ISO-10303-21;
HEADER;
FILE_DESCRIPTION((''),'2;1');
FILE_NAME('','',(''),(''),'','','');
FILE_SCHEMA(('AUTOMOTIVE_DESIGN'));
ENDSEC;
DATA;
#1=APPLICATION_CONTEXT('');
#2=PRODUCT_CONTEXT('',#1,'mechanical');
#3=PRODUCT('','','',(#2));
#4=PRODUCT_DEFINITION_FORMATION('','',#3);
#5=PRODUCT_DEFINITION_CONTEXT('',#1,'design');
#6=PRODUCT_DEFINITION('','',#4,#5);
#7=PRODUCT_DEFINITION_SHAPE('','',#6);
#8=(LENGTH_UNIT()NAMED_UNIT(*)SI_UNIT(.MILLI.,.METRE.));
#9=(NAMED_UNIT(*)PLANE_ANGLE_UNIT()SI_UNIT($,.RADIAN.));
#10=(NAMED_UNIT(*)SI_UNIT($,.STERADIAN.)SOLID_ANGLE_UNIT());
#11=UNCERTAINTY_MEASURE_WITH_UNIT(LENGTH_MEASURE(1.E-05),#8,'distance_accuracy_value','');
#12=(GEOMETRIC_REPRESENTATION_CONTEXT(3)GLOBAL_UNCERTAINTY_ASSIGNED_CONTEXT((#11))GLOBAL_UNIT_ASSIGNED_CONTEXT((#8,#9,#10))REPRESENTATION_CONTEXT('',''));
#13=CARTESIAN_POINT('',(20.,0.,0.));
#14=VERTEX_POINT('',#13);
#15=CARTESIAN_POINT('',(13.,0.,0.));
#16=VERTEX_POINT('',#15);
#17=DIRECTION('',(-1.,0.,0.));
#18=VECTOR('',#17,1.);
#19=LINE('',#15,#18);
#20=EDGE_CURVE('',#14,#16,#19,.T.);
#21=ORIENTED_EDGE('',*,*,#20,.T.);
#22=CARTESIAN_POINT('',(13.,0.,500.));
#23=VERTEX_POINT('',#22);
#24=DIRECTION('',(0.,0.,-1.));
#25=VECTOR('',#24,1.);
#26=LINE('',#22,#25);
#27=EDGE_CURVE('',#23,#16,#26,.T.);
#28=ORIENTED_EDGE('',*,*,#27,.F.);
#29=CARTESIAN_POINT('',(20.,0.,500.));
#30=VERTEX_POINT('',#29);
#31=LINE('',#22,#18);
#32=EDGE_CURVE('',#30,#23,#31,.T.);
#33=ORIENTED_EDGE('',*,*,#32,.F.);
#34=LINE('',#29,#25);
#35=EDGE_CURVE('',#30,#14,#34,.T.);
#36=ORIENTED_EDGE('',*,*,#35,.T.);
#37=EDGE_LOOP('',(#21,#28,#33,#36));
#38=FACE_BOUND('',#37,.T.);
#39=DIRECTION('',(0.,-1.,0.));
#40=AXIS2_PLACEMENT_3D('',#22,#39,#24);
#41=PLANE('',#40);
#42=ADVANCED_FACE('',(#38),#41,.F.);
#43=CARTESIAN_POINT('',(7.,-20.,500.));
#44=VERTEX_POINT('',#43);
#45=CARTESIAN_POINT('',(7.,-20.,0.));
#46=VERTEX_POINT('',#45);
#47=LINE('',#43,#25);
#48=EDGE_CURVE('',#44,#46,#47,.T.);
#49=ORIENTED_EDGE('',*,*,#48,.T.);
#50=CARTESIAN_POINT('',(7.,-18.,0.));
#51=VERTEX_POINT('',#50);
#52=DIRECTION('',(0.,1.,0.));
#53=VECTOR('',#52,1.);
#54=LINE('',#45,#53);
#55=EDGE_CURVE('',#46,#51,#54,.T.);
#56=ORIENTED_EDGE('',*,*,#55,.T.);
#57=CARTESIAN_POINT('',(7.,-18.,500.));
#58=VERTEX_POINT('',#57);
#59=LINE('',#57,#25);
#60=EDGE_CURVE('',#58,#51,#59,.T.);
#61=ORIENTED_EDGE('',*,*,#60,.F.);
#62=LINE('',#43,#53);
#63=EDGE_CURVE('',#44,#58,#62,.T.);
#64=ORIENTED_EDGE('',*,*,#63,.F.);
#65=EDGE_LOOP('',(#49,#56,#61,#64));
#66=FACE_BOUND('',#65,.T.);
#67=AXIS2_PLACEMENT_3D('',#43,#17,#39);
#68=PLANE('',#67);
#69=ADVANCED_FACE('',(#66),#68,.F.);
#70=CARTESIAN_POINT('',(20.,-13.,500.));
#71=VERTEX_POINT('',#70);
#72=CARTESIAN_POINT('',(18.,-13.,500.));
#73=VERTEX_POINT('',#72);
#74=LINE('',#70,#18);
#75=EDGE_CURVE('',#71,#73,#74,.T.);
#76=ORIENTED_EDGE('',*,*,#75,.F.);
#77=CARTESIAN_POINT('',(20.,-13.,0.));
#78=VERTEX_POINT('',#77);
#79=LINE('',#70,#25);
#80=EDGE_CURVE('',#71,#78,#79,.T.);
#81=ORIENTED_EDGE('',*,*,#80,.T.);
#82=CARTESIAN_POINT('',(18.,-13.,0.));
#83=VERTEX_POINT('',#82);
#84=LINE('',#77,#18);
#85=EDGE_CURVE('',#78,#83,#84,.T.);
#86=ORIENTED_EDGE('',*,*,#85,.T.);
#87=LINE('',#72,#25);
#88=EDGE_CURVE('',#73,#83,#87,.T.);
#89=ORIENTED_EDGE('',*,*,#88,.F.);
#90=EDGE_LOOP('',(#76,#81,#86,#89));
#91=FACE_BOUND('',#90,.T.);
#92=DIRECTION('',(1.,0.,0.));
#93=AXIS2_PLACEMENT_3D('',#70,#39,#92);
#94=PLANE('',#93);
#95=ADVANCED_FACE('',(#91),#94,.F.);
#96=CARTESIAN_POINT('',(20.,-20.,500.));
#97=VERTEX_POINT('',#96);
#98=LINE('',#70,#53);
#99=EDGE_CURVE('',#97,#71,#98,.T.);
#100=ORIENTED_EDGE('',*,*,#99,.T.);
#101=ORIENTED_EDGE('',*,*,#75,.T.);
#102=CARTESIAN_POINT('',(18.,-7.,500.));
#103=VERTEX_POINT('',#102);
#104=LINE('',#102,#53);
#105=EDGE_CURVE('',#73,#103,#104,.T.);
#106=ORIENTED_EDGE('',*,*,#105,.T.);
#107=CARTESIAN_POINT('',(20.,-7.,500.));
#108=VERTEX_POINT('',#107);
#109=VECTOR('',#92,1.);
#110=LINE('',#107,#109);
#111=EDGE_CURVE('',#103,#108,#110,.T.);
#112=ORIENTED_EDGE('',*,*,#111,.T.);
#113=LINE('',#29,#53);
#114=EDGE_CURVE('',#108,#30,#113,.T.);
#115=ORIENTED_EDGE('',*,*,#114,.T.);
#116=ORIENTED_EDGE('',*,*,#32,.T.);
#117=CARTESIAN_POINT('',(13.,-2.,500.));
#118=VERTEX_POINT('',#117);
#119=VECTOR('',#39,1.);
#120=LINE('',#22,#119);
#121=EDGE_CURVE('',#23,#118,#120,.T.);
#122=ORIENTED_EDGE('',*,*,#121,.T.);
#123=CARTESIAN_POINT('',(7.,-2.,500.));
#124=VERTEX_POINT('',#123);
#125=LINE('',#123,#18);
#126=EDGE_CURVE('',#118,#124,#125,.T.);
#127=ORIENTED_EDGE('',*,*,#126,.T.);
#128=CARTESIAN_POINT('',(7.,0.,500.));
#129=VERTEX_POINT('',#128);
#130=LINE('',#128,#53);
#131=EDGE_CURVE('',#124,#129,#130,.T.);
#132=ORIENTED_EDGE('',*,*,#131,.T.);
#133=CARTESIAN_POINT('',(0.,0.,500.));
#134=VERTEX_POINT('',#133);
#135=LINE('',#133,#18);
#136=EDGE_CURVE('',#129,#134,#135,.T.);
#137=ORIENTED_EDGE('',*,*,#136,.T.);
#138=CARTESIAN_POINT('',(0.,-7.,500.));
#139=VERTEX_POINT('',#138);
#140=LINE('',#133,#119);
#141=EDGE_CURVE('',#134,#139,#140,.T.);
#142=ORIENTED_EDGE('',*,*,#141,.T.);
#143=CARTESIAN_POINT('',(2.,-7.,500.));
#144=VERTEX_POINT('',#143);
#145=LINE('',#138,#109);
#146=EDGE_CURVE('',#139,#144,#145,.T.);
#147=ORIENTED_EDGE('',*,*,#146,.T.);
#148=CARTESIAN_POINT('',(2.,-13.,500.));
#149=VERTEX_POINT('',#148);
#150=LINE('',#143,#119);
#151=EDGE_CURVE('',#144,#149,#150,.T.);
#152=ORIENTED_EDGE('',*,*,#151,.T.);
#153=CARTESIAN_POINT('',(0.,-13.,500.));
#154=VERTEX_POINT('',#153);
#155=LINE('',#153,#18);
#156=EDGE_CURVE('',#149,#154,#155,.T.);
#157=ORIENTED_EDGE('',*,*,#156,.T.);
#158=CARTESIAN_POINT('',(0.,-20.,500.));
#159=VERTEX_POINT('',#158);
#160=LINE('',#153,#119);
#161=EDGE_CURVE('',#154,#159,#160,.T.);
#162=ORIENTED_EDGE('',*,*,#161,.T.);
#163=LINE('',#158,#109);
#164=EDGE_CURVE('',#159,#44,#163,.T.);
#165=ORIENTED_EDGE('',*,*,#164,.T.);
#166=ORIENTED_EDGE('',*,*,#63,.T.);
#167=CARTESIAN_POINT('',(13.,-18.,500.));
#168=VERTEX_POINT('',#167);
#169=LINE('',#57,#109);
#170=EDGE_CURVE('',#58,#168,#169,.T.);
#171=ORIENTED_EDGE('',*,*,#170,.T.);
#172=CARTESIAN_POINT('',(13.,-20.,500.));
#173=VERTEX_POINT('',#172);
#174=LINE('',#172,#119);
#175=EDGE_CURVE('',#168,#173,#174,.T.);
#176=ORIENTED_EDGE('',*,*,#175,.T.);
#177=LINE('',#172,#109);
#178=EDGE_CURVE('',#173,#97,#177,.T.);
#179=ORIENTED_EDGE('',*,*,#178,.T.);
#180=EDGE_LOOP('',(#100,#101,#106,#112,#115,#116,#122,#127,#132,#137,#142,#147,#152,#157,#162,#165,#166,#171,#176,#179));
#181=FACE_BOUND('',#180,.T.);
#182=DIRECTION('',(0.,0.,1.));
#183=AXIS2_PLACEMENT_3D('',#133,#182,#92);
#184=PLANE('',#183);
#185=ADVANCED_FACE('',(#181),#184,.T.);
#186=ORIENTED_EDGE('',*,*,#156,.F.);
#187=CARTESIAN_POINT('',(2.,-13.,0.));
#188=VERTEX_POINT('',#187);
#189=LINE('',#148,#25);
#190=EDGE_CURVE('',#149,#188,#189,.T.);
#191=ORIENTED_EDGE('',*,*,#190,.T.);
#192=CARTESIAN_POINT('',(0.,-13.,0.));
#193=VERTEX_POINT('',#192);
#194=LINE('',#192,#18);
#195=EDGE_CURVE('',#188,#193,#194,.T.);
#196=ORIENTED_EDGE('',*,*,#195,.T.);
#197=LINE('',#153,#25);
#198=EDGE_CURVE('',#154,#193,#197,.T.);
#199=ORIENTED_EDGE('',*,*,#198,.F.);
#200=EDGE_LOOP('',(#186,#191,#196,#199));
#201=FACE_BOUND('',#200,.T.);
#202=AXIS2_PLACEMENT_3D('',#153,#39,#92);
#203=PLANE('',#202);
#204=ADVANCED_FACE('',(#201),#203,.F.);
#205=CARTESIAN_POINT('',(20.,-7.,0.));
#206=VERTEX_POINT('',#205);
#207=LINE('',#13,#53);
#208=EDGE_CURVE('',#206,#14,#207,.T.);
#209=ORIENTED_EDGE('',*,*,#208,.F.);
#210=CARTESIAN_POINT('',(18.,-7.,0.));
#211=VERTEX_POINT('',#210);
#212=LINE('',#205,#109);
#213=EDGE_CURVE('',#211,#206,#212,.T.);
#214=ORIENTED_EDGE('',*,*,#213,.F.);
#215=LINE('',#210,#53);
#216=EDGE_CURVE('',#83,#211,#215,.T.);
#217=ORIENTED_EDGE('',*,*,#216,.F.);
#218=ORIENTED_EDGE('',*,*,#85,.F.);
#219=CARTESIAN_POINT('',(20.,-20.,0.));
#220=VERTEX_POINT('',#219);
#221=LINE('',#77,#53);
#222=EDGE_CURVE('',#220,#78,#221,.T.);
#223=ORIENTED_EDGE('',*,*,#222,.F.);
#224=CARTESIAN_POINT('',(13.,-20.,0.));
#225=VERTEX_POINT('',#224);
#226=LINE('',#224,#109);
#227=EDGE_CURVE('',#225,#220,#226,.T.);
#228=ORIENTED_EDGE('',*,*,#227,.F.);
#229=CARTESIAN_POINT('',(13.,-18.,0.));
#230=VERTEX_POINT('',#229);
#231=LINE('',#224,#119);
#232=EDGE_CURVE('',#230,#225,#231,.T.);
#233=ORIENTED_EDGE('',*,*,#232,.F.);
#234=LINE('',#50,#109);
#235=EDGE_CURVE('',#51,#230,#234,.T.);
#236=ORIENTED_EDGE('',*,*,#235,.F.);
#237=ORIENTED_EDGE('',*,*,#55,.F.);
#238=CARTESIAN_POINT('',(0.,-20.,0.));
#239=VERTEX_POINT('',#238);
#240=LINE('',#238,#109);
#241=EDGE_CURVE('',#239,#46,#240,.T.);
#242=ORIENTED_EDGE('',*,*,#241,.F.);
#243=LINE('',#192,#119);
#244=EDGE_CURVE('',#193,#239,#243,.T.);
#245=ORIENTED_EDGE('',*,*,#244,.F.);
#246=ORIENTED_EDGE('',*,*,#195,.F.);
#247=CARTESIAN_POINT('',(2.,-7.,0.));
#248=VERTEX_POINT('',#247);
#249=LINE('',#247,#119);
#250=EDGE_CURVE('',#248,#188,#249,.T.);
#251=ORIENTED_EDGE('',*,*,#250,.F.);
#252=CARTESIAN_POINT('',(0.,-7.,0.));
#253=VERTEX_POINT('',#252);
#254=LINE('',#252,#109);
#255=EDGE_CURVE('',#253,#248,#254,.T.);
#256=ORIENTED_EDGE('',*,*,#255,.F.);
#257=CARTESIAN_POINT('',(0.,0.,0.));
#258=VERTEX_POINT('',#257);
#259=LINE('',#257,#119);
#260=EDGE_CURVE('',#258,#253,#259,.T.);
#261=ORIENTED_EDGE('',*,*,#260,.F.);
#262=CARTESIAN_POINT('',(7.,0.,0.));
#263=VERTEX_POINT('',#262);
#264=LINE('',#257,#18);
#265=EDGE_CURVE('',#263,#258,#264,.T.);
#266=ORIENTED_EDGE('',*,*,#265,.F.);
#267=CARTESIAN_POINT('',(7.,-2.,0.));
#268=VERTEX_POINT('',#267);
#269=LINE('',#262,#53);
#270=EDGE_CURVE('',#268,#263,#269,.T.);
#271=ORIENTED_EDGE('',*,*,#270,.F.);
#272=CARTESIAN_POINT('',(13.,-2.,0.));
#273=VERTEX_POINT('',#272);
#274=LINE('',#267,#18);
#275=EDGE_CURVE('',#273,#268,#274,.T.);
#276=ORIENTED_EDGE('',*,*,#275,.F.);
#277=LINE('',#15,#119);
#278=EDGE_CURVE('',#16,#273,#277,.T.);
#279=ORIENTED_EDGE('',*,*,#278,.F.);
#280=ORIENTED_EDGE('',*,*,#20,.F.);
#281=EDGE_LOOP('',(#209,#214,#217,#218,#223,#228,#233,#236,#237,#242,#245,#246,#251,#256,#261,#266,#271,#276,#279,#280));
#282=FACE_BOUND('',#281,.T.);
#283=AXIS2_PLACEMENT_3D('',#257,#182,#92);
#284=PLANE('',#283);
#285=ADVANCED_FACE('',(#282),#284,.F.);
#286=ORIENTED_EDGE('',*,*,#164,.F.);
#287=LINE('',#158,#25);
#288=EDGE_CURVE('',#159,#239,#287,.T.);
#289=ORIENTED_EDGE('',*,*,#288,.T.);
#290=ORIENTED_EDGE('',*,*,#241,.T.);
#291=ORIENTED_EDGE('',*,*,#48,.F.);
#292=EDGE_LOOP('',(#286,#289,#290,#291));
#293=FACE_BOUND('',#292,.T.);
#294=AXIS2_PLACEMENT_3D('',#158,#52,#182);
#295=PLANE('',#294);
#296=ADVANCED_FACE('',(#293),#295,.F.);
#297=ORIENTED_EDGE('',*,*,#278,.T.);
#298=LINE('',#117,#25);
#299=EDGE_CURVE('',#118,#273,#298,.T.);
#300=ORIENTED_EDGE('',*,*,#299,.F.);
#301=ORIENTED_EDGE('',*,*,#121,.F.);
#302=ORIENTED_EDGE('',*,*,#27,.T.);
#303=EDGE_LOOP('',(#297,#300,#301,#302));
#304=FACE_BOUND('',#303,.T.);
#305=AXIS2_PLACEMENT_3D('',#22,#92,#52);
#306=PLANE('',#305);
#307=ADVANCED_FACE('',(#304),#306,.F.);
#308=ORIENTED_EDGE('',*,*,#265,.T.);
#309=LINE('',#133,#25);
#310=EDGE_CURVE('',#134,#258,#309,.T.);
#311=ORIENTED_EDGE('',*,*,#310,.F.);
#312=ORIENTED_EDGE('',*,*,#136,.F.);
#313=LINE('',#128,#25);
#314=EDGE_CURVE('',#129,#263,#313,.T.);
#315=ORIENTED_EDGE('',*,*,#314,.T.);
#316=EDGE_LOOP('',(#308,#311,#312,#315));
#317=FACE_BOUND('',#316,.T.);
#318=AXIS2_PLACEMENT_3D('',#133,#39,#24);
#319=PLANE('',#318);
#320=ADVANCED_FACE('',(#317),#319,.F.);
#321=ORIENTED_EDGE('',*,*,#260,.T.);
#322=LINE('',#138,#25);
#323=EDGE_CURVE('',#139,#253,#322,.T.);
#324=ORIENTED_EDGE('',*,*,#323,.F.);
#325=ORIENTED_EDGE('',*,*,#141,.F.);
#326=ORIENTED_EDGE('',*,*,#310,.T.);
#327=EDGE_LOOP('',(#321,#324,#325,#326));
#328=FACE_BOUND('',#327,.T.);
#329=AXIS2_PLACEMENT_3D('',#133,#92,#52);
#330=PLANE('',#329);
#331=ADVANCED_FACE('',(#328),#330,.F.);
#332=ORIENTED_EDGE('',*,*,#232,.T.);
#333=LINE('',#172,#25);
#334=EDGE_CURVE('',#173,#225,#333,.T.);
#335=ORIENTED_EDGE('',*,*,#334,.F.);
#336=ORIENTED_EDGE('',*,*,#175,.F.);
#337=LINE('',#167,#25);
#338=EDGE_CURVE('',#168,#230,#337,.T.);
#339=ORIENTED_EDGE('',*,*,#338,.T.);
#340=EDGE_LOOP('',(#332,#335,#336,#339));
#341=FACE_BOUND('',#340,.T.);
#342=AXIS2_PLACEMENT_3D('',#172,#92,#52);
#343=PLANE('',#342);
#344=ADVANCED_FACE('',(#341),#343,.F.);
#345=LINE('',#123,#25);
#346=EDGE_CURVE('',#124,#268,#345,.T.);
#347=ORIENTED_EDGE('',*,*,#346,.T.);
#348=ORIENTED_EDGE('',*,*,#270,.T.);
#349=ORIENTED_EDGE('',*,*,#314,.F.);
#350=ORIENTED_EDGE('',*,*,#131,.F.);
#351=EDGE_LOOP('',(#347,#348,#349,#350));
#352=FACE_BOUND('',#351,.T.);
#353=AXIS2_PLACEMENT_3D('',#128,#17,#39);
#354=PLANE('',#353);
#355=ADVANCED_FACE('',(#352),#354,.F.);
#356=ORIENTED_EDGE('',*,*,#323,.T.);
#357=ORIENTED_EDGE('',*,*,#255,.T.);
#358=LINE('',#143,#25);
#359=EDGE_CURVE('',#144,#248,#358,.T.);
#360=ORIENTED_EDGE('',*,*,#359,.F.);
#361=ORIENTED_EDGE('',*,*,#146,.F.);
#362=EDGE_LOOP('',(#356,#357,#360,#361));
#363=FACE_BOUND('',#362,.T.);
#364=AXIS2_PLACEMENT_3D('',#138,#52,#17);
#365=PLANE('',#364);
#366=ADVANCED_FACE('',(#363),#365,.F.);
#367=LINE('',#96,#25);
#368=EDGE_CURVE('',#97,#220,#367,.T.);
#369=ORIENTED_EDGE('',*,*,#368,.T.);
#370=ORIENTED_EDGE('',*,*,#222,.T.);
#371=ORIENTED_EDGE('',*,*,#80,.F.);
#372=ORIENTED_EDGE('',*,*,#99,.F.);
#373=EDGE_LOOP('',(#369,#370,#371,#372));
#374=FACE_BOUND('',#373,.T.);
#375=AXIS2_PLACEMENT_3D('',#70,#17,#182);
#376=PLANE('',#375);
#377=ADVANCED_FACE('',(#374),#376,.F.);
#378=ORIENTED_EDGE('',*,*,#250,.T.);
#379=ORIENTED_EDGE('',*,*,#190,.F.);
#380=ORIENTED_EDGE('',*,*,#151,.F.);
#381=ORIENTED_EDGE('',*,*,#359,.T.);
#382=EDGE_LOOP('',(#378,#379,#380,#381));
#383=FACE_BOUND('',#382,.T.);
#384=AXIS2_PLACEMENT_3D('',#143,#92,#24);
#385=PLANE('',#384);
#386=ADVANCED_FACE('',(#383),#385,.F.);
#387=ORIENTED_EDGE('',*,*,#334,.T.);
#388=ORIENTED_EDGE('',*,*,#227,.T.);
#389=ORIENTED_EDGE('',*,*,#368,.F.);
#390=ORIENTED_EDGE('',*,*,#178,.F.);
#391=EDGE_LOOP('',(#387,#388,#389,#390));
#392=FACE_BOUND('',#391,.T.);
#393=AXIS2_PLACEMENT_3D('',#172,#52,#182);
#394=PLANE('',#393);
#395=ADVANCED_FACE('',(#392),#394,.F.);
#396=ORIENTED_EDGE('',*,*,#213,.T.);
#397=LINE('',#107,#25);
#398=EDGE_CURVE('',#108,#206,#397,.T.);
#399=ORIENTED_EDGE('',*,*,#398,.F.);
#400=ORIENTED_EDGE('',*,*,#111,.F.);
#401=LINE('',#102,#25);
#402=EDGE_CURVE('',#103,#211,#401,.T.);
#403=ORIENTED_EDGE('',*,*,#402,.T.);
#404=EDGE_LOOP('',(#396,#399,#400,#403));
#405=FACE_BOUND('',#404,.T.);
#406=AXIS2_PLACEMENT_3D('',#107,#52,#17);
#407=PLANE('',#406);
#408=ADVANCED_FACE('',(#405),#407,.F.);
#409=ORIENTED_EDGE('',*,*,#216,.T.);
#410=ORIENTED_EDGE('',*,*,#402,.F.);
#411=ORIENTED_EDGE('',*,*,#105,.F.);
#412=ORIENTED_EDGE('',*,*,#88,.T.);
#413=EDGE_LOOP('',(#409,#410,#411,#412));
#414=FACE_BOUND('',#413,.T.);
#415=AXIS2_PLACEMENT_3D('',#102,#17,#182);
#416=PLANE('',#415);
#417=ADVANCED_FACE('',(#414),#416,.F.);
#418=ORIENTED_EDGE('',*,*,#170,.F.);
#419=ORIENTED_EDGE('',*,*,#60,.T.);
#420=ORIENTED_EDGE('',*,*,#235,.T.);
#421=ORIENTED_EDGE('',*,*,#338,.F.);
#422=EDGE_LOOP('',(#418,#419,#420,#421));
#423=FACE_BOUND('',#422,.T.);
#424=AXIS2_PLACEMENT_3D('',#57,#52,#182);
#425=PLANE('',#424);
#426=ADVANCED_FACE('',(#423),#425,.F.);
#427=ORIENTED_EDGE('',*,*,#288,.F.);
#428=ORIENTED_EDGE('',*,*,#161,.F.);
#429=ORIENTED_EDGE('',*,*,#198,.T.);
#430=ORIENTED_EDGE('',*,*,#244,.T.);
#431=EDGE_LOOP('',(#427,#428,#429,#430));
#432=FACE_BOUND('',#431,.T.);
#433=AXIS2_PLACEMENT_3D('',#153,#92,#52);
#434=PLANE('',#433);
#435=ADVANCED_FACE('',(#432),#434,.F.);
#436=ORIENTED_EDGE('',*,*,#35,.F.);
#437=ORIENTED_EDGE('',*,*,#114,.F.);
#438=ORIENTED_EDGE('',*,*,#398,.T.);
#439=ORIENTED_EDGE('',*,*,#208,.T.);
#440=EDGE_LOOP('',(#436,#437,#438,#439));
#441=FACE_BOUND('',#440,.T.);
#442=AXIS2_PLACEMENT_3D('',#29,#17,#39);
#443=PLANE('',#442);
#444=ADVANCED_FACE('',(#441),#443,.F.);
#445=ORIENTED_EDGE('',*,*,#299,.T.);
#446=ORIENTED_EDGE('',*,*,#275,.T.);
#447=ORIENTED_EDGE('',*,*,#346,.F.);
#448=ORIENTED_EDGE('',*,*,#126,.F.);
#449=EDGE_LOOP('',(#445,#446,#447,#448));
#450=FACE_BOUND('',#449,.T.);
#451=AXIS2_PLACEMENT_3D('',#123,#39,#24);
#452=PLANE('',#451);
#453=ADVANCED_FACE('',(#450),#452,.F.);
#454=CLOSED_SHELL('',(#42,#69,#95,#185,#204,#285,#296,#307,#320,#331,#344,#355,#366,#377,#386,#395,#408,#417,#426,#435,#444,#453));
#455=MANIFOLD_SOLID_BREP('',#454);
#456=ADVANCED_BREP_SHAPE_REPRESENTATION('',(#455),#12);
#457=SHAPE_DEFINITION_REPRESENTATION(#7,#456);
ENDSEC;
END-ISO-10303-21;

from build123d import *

# Parameters (mm, degrees)
EXTRUDE_1_DEPTH = 500


with BuildPart() as part:
    # 草图1 → 凸台-拉伸1 (new body)
    with BuildSketch(Plane.XY):
        Polygon((0, -13), (0, -20), (7, -20), (7, -18), (13, -18), (13, -20), (20, -20), (20, -13), (18, -13), (18, -7), (20, -7), (20, 0), (13, 0), (13, -2), (7, -2), (7, 0), (0, 0), (0, -7), (2, -7), (2, -13), align=None)
    extrude(amount=EXTRUDE_1_DEPTH)


solid = part.part
